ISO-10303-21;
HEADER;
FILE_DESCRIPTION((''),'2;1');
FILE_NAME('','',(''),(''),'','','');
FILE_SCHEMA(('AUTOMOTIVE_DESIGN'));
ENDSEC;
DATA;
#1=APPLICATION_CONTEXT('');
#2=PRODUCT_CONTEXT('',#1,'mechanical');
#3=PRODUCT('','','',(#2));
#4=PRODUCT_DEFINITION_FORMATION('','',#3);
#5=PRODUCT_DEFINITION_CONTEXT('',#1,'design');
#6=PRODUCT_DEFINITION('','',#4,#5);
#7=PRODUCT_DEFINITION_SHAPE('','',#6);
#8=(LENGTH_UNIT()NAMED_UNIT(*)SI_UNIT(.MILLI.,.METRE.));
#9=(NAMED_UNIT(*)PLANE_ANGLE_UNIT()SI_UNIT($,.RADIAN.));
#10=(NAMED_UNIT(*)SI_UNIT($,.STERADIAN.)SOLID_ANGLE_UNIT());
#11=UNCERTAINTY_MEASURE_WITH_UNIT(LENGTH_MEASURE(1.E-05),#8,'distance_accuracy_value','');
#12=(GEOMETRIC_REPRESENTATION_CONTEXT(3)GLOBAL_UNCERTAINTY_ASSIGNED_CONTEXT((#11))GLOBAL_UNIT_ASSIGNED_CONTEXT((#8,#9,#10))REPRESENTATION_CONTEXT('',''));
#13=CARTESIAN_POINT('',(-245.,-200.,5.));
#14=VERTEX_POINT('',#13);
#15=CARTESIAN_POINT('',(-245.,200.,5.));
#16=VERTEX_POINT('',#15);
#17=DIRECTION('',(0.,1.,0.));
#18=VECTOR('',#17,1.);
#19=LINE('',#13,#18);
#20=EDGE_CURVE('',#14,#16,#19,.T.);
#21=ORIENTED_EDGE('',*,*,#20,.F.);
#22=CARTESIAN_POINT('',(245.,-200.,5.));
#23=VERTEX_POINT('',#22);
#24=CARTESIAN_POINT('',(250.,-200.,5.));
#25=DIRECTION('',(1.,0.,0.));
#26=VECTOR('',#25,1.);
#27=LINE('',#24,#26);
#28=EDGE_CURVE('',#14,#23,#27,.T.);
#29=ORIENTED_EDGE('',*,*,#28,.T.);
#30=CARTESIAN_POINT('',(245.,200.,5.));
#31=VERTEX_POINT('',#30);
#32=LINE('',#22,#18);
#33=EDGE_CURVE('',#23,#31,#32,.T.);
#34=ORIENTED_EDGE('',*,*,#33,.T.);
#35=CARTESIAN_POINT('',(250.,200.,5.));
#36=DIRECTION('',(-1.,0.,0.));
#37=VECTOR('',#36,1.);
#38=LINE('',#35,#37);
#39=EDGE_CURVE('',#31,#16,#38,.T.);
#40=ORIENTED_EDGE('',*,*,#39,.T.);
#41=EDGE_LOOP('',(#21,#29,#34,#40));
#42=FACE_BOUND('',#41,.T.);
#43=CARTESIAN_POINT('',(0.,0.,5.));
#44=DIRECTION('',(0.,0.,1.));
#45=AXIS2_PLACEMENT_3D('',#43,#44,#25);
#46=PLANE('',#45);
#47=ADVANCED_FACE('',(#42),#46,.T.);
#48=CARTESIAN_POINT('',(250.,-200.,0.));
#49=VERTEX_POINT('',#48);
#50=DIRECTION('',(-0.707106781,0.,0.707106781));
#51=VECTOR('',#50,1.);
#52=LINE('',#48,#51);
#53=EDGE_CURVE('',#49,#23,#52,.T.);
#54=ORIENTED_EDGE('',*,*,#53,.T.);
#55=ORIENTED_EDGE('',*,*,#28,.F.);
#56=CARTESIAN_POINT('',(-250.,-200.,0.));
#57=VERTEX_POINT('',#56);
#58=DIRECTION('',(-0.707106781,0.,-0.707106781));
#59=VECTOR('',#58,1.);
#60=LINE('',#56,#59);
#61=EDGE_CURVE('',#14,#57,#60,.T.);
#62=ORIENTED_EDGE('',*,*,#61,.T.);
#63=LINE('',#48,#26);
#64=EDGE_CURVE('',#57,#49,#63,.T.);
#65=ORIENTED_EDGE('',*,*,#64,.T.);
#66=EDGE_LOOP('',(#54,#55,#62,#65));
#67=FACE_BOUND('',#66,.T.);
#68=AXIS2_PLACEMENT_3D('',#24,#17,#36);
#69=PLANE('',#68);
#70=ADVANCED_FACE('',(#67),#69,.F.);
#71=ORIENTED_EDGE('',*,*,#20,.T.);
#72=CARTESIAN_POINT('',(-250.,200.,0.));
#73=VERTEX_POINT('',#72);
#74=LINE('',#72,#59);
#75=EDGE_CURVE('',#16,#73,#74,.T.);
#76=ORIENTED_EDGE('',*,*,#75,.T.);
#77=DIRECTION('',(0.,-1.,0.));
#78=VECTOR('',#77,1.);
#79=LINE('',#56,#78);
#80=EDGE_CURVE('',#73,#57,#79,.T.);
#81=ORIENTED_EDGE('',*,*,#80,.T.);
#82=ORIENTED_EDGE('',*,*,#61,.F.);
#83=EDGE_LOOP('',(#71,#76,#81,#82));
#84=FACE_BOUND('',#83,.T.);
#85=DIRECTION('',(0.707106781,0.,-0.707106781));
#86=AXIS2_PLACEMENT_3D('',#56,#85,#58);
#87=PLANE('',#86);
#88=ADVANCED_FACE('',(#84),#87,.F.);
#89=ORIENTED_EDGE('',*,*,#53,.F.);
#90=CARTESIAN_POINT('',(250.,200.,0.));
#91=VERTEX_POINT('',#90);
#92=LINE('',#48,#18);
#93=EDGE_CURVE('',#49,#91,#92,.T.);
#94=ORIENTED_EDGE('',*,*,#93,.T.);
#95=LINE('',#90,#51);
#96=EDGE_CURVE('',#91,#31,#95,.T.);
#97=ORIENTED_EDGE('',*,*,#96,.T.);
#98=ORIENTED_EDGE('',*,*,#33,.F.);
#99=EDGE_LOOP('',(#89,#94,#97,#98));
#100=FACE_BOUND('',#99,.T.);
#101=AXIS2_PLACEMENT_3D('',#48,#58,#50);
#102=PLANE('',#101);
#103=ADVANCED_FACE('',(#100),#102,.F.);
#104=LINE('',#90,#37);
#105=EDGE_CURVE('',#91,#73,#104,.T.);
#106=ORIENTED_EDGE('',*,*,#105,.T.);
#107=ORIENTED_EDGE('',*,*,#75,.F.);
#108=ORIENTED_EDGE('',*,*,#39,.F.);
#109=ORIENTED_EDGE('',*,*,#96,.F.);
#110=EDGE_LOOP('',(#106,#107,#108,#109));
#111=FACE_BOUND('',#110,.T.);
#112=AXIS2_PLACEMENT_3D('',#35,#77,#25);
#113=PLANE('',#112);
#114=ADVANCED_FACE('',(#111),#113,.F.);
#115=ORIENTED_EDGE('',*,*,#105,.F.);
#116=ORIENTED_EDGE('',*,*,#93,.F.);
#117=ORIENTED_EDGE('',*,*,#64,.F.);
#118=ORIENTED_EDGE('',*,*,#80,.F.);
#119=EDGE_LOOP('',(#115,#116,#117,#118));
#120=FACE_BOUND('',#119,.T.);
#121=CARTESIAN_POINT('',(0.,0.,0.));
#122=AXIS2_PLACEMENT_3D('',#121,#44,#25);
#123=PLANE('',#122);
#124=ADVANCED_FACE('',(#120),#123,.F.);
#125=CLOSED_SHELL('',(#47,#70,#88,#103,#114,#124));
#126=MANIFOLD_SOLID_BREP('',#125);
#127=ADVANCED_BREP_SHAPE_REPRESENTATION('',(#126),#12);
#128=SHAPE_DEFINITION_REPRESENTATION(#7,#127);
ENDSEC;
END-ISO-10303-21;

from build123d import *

# Parameters (mm, degrees)
ESQUISSE1_W             = 500
ESQUISSE1_H             = 400
BOSS_EXTRU_1_DEPTH      = 5
ENL_V_MAT_EXTRU_1_DEPTH = 472.725555805


with BuildPart() as part:
    # Esquisse1 → Boss.-Extru.1 (new body)
    with BuildSketch(Plane.XY):
        Rectangle(ESQUISSE1_W, ESQUISSE1_H)
    extrude(amount=BOSS_EXTRU_1_DEPTH)

    # Esquisse2 → Enlèv. mat.-Extru.1 (cut, through all)
    with BuildSketch(Plane(origin=(0, 200, 0), x_dir=(1, 0, 0), z_dir=(0, 1, 0))):
        Polygon((-250, -5), (-250, 0), (-245, -5), align=None)
        Polygon((245, -5), (250, -5), (250, 0), align=None)
    extrude(amount=-ENL_V_MAT_EXTRU_1_DEPTH, mode=Mode.SUBTRACT)


solid = part.part
